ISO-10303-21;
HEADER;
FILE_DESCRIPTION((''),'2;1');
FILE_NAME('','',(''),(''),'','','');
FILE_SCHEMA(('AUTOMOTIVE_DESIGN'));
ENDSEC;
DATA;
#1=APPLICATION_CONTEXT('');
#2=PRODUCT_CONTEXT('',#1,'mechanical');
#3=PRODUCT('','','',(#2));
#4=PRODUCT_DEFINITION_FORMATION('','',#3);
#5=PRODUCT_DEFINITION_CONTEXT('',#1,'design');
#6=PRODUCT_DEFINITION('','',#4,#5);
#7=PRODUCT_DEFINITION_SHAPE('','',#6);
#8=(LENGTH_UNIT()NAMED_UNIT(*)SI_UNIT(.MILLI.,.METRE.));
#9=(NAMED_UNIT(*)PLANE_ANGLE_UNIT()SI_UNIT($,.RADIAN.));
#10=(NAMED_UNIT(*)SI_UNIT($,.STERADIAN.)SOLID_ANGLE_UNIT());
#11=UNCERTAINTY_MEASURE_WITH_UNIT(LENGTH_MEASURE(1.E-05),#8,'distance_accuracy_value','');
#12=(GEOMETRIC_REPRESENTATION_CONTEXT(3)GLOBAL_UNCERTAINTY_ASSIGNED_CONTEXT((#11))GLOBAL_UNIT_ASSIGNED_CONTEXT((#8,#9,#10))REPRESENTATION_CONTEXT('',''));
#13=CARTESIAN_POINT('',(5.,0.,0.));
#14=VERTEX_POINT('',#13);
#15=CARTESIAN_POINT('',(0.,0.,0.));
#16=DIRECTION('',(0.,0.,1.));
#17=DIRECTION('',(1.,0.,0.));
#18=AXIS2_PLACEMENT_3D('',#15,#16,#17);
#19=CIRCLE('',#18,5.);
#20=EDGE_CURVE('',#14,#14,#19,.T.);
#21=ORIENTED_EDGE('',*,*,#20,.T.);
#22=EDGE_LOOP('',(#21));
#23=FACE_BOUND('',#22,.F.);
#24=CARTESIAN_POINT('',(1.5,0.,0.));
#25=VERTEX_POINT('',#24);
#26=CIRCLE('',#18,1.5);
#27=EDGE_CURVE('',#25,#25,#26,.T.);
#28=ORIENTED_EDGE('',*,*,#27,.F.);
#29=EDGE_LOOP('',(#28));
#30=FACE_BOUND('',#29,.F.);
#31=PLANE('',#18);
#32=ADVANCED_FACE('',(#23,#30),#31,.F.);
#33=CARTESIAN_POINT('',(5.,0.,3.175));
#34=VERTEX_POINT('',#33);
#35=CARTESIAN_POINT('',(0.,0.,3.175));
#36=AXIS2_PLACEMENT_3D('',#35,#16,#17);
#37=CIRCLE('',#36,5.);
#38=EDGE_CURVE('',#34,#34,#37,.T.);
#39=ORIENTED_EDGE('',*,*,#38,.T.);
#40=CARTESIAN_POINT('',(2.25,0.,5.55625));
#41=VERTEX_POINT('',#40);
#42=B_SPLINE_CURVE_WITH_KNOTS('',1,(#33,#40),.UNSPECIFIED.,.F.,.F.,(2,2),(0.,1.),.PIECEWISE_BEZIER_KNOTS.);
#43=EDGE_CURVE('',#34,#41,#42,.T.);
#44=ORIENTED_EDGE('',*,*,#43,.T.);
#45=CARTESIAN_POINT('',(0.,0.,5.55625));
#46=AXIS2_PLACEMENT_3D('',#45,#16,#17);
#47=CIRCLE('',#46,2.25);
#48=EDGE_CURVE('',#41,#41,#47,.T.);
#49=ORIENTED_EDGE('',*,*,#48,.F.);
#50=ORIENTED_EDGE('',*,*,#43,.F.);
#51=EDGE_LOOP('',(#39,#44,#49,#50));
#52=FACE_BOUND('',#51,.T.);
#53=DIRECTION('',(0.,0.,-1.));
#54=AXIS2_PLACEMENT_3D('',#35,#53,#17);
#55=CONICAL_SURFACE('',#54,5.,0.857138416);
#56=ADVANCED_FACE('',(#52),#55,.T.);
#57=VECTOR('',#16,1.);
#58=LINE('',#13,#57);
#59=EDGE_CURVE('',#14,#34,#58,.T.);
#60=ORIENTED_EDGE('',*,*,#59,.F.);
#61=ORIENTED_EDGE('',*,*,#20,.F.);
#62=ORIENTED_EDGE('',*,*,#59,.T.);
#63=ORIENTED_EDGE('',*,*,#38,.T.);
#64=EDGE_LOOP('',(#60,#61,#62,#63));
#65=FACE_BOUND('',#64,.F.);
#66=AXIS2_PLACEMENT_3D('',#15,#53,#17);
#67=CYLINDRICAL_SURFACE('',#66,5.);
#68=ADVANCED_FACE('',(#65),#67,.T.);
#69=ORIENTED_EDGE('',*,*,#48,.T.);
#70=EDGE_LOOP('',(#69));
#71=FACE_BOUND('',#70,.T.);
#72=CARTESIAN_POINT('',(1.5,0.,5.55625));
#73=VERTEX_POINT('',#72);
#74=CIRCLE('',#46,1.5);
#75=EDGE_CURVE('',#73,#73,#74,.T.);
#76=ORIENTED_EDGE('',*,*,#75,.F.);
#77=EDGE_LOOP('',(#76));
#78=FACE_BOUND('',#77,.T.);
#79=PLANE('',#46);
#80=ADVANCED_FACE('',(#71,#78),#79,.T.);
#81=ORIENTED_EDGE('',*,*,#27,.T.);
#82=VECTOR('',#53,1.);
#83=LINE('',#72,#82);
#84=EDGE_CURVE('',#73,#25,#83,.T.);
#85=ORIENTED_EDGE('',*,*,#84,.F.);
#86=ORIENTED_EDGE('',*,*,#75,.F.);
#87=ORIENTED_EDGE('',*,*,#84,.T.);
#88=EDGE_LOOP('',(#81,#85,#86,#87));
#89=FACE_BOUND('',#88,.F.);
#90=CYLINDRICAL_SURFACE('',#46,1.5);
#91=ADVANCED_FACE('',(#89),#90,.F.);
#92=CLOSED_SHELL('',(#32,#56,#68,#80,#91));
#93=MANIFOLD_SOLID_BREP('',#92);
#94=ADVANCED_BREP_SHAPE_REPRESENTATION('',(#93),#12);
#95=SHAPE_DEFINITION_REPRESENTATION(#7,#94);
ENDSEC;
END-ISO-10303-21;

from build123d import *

# Parameters (mm, degrees)
F0_R      = 5
F2_DEPTH  = 3.175
F2_FACE_R = 5
F3_R      = 2.25
F5_R      = 1.5
F6_DEPTH  = 25.4


with BuildPart() as f2:
    # F0 (on Top) → F2 (new body)
    with BuildSketch(Plane.XY):
        Circle(F0_R)
    extrude(amount=F2_DEPTH)

    # F2_face (on face) → F4 section 0
    with BuildSketch(Plane.XY.offset(3.175)):
        Circle(F2_FACE_R)
    # F3 (on offset) → F4 section 1
    with BuildSketch(Plane.XY.offset(5.55625)):
        Circle(F3_R)
    loft()

    # F5 (on face) → F6 (cut)
    with BuildSketch(Plane.XY.offset(5.55625)):
        Circle(F5_R)
    extrude(amount=-F6_DEPTH, mode=Mode.SUBTRACT)


solid = f2.part
